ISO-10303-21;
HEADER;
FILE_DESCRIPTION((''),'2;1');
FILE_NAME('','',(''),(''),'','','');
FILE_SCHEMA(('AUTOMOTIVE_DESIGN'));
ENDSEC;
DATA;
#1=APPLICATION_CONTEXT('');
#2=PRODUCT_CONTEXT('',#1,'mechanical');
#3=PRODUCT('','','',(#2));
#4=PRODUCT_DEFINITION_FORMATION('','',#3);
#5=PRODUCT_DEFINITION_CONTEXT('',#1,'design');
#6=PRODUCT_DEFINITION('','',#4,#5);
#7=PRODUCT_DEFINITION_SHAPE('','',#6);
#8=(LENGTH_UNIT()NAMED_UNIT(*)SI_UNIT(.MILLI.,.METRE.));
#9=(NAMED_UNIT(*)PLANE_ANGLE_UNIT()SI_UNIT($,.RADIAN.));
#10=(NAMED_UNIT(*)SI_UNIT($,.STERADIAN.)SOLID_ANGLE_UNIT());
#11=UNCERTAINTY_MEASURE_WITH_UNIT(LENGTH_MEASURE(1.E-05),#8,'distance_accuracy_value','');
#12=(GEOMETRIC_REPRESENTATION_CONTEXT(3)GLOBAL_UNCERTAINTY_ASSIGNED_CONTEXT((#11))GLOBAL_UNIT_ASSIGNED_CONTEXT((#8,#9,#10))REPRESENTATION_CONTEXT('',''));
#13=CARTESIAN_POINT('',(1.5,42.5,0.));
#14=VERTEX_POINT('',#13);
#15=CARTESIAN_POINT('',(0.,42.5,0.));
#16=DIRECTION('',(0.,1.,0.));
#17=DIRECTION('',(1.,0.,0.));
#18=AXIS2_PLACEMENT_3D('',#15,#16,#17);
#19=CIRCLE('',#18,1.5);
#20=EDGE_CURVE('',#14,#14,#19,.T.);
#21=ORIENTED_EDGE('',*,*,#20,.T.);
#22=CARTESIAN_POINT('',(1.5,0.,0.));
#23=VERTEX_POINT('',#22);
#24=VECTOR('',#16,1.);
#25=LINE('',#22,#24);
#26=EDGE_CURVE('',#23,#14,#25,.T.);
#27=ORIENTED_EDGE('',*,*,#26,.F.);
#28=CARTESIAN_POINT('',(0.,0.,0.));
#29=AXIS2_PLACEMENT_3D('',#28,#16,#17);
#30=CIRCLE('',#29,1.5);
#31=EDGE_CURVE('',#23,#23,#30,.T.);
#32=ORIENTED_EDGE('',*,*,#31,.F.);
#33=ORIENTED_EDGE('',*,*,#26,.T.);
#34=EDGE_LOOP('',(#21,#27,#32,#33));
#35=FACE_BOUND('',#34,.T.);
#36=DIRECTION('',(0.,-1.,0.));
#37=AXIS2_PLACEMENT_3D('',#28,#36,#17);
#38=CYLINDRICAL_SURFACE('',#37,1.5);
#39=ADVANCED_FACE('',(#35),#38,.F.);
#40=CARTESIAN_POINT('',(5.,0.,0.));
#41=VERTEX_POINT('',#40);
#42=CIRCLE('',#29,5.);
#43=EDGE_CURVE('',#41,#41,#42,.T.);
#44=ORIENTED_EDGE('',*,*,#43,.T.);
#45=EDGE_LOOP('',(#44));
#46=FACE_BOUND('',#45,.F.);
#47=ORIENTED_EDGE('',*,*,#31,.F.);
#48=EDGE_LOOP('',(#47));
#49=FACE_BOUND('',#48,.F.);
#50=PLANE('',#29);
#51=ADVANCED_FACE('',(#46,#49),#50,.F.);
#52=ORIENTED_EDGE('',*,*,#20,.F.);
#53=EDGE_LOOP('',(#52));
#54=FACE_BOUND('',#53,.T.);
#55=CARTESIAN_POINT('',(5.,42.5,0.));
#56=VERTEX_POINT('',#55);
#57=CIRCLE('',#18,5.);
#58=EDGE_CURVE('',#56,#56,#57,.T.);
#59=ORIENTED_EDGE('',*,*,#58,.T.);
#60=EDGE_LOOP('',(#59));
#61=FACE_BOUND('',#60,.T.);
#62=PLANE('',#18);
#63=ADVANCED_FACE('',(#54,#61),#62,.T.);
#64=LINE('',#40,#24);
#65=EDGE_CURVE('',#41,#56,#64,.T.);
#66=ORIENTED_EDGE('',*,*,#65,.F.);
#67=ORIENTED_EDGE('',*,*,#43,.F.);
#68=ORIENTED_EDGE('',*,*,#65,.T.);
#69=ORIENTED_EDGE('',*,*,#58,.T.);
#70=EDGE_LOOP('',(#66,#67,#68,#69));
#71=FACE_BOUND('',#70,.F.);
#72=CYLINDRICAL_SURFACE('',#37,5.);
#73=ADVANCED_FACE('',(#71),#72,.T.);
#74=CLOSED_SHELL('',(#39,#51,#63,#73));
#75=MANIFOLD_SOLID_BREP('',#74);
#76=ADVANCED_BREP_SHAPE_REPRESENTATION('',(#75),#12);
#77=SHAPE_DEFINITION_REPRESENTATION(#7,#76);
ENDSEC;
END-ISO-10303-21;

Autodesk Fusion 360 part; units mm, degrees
sketch "Sketch1" plane through (0, 0, 0) normal (0, 1, 0) x (1, 0, 0)
  circle A0 centre (0, 0) radius 1.5
  circle A1 centre (0, 0) radius 5
  dimension "d1" = 3
  dimension "d2" = 10
extrude "Extrude1" add sketch "Sketch1" along normal blind 42.5
